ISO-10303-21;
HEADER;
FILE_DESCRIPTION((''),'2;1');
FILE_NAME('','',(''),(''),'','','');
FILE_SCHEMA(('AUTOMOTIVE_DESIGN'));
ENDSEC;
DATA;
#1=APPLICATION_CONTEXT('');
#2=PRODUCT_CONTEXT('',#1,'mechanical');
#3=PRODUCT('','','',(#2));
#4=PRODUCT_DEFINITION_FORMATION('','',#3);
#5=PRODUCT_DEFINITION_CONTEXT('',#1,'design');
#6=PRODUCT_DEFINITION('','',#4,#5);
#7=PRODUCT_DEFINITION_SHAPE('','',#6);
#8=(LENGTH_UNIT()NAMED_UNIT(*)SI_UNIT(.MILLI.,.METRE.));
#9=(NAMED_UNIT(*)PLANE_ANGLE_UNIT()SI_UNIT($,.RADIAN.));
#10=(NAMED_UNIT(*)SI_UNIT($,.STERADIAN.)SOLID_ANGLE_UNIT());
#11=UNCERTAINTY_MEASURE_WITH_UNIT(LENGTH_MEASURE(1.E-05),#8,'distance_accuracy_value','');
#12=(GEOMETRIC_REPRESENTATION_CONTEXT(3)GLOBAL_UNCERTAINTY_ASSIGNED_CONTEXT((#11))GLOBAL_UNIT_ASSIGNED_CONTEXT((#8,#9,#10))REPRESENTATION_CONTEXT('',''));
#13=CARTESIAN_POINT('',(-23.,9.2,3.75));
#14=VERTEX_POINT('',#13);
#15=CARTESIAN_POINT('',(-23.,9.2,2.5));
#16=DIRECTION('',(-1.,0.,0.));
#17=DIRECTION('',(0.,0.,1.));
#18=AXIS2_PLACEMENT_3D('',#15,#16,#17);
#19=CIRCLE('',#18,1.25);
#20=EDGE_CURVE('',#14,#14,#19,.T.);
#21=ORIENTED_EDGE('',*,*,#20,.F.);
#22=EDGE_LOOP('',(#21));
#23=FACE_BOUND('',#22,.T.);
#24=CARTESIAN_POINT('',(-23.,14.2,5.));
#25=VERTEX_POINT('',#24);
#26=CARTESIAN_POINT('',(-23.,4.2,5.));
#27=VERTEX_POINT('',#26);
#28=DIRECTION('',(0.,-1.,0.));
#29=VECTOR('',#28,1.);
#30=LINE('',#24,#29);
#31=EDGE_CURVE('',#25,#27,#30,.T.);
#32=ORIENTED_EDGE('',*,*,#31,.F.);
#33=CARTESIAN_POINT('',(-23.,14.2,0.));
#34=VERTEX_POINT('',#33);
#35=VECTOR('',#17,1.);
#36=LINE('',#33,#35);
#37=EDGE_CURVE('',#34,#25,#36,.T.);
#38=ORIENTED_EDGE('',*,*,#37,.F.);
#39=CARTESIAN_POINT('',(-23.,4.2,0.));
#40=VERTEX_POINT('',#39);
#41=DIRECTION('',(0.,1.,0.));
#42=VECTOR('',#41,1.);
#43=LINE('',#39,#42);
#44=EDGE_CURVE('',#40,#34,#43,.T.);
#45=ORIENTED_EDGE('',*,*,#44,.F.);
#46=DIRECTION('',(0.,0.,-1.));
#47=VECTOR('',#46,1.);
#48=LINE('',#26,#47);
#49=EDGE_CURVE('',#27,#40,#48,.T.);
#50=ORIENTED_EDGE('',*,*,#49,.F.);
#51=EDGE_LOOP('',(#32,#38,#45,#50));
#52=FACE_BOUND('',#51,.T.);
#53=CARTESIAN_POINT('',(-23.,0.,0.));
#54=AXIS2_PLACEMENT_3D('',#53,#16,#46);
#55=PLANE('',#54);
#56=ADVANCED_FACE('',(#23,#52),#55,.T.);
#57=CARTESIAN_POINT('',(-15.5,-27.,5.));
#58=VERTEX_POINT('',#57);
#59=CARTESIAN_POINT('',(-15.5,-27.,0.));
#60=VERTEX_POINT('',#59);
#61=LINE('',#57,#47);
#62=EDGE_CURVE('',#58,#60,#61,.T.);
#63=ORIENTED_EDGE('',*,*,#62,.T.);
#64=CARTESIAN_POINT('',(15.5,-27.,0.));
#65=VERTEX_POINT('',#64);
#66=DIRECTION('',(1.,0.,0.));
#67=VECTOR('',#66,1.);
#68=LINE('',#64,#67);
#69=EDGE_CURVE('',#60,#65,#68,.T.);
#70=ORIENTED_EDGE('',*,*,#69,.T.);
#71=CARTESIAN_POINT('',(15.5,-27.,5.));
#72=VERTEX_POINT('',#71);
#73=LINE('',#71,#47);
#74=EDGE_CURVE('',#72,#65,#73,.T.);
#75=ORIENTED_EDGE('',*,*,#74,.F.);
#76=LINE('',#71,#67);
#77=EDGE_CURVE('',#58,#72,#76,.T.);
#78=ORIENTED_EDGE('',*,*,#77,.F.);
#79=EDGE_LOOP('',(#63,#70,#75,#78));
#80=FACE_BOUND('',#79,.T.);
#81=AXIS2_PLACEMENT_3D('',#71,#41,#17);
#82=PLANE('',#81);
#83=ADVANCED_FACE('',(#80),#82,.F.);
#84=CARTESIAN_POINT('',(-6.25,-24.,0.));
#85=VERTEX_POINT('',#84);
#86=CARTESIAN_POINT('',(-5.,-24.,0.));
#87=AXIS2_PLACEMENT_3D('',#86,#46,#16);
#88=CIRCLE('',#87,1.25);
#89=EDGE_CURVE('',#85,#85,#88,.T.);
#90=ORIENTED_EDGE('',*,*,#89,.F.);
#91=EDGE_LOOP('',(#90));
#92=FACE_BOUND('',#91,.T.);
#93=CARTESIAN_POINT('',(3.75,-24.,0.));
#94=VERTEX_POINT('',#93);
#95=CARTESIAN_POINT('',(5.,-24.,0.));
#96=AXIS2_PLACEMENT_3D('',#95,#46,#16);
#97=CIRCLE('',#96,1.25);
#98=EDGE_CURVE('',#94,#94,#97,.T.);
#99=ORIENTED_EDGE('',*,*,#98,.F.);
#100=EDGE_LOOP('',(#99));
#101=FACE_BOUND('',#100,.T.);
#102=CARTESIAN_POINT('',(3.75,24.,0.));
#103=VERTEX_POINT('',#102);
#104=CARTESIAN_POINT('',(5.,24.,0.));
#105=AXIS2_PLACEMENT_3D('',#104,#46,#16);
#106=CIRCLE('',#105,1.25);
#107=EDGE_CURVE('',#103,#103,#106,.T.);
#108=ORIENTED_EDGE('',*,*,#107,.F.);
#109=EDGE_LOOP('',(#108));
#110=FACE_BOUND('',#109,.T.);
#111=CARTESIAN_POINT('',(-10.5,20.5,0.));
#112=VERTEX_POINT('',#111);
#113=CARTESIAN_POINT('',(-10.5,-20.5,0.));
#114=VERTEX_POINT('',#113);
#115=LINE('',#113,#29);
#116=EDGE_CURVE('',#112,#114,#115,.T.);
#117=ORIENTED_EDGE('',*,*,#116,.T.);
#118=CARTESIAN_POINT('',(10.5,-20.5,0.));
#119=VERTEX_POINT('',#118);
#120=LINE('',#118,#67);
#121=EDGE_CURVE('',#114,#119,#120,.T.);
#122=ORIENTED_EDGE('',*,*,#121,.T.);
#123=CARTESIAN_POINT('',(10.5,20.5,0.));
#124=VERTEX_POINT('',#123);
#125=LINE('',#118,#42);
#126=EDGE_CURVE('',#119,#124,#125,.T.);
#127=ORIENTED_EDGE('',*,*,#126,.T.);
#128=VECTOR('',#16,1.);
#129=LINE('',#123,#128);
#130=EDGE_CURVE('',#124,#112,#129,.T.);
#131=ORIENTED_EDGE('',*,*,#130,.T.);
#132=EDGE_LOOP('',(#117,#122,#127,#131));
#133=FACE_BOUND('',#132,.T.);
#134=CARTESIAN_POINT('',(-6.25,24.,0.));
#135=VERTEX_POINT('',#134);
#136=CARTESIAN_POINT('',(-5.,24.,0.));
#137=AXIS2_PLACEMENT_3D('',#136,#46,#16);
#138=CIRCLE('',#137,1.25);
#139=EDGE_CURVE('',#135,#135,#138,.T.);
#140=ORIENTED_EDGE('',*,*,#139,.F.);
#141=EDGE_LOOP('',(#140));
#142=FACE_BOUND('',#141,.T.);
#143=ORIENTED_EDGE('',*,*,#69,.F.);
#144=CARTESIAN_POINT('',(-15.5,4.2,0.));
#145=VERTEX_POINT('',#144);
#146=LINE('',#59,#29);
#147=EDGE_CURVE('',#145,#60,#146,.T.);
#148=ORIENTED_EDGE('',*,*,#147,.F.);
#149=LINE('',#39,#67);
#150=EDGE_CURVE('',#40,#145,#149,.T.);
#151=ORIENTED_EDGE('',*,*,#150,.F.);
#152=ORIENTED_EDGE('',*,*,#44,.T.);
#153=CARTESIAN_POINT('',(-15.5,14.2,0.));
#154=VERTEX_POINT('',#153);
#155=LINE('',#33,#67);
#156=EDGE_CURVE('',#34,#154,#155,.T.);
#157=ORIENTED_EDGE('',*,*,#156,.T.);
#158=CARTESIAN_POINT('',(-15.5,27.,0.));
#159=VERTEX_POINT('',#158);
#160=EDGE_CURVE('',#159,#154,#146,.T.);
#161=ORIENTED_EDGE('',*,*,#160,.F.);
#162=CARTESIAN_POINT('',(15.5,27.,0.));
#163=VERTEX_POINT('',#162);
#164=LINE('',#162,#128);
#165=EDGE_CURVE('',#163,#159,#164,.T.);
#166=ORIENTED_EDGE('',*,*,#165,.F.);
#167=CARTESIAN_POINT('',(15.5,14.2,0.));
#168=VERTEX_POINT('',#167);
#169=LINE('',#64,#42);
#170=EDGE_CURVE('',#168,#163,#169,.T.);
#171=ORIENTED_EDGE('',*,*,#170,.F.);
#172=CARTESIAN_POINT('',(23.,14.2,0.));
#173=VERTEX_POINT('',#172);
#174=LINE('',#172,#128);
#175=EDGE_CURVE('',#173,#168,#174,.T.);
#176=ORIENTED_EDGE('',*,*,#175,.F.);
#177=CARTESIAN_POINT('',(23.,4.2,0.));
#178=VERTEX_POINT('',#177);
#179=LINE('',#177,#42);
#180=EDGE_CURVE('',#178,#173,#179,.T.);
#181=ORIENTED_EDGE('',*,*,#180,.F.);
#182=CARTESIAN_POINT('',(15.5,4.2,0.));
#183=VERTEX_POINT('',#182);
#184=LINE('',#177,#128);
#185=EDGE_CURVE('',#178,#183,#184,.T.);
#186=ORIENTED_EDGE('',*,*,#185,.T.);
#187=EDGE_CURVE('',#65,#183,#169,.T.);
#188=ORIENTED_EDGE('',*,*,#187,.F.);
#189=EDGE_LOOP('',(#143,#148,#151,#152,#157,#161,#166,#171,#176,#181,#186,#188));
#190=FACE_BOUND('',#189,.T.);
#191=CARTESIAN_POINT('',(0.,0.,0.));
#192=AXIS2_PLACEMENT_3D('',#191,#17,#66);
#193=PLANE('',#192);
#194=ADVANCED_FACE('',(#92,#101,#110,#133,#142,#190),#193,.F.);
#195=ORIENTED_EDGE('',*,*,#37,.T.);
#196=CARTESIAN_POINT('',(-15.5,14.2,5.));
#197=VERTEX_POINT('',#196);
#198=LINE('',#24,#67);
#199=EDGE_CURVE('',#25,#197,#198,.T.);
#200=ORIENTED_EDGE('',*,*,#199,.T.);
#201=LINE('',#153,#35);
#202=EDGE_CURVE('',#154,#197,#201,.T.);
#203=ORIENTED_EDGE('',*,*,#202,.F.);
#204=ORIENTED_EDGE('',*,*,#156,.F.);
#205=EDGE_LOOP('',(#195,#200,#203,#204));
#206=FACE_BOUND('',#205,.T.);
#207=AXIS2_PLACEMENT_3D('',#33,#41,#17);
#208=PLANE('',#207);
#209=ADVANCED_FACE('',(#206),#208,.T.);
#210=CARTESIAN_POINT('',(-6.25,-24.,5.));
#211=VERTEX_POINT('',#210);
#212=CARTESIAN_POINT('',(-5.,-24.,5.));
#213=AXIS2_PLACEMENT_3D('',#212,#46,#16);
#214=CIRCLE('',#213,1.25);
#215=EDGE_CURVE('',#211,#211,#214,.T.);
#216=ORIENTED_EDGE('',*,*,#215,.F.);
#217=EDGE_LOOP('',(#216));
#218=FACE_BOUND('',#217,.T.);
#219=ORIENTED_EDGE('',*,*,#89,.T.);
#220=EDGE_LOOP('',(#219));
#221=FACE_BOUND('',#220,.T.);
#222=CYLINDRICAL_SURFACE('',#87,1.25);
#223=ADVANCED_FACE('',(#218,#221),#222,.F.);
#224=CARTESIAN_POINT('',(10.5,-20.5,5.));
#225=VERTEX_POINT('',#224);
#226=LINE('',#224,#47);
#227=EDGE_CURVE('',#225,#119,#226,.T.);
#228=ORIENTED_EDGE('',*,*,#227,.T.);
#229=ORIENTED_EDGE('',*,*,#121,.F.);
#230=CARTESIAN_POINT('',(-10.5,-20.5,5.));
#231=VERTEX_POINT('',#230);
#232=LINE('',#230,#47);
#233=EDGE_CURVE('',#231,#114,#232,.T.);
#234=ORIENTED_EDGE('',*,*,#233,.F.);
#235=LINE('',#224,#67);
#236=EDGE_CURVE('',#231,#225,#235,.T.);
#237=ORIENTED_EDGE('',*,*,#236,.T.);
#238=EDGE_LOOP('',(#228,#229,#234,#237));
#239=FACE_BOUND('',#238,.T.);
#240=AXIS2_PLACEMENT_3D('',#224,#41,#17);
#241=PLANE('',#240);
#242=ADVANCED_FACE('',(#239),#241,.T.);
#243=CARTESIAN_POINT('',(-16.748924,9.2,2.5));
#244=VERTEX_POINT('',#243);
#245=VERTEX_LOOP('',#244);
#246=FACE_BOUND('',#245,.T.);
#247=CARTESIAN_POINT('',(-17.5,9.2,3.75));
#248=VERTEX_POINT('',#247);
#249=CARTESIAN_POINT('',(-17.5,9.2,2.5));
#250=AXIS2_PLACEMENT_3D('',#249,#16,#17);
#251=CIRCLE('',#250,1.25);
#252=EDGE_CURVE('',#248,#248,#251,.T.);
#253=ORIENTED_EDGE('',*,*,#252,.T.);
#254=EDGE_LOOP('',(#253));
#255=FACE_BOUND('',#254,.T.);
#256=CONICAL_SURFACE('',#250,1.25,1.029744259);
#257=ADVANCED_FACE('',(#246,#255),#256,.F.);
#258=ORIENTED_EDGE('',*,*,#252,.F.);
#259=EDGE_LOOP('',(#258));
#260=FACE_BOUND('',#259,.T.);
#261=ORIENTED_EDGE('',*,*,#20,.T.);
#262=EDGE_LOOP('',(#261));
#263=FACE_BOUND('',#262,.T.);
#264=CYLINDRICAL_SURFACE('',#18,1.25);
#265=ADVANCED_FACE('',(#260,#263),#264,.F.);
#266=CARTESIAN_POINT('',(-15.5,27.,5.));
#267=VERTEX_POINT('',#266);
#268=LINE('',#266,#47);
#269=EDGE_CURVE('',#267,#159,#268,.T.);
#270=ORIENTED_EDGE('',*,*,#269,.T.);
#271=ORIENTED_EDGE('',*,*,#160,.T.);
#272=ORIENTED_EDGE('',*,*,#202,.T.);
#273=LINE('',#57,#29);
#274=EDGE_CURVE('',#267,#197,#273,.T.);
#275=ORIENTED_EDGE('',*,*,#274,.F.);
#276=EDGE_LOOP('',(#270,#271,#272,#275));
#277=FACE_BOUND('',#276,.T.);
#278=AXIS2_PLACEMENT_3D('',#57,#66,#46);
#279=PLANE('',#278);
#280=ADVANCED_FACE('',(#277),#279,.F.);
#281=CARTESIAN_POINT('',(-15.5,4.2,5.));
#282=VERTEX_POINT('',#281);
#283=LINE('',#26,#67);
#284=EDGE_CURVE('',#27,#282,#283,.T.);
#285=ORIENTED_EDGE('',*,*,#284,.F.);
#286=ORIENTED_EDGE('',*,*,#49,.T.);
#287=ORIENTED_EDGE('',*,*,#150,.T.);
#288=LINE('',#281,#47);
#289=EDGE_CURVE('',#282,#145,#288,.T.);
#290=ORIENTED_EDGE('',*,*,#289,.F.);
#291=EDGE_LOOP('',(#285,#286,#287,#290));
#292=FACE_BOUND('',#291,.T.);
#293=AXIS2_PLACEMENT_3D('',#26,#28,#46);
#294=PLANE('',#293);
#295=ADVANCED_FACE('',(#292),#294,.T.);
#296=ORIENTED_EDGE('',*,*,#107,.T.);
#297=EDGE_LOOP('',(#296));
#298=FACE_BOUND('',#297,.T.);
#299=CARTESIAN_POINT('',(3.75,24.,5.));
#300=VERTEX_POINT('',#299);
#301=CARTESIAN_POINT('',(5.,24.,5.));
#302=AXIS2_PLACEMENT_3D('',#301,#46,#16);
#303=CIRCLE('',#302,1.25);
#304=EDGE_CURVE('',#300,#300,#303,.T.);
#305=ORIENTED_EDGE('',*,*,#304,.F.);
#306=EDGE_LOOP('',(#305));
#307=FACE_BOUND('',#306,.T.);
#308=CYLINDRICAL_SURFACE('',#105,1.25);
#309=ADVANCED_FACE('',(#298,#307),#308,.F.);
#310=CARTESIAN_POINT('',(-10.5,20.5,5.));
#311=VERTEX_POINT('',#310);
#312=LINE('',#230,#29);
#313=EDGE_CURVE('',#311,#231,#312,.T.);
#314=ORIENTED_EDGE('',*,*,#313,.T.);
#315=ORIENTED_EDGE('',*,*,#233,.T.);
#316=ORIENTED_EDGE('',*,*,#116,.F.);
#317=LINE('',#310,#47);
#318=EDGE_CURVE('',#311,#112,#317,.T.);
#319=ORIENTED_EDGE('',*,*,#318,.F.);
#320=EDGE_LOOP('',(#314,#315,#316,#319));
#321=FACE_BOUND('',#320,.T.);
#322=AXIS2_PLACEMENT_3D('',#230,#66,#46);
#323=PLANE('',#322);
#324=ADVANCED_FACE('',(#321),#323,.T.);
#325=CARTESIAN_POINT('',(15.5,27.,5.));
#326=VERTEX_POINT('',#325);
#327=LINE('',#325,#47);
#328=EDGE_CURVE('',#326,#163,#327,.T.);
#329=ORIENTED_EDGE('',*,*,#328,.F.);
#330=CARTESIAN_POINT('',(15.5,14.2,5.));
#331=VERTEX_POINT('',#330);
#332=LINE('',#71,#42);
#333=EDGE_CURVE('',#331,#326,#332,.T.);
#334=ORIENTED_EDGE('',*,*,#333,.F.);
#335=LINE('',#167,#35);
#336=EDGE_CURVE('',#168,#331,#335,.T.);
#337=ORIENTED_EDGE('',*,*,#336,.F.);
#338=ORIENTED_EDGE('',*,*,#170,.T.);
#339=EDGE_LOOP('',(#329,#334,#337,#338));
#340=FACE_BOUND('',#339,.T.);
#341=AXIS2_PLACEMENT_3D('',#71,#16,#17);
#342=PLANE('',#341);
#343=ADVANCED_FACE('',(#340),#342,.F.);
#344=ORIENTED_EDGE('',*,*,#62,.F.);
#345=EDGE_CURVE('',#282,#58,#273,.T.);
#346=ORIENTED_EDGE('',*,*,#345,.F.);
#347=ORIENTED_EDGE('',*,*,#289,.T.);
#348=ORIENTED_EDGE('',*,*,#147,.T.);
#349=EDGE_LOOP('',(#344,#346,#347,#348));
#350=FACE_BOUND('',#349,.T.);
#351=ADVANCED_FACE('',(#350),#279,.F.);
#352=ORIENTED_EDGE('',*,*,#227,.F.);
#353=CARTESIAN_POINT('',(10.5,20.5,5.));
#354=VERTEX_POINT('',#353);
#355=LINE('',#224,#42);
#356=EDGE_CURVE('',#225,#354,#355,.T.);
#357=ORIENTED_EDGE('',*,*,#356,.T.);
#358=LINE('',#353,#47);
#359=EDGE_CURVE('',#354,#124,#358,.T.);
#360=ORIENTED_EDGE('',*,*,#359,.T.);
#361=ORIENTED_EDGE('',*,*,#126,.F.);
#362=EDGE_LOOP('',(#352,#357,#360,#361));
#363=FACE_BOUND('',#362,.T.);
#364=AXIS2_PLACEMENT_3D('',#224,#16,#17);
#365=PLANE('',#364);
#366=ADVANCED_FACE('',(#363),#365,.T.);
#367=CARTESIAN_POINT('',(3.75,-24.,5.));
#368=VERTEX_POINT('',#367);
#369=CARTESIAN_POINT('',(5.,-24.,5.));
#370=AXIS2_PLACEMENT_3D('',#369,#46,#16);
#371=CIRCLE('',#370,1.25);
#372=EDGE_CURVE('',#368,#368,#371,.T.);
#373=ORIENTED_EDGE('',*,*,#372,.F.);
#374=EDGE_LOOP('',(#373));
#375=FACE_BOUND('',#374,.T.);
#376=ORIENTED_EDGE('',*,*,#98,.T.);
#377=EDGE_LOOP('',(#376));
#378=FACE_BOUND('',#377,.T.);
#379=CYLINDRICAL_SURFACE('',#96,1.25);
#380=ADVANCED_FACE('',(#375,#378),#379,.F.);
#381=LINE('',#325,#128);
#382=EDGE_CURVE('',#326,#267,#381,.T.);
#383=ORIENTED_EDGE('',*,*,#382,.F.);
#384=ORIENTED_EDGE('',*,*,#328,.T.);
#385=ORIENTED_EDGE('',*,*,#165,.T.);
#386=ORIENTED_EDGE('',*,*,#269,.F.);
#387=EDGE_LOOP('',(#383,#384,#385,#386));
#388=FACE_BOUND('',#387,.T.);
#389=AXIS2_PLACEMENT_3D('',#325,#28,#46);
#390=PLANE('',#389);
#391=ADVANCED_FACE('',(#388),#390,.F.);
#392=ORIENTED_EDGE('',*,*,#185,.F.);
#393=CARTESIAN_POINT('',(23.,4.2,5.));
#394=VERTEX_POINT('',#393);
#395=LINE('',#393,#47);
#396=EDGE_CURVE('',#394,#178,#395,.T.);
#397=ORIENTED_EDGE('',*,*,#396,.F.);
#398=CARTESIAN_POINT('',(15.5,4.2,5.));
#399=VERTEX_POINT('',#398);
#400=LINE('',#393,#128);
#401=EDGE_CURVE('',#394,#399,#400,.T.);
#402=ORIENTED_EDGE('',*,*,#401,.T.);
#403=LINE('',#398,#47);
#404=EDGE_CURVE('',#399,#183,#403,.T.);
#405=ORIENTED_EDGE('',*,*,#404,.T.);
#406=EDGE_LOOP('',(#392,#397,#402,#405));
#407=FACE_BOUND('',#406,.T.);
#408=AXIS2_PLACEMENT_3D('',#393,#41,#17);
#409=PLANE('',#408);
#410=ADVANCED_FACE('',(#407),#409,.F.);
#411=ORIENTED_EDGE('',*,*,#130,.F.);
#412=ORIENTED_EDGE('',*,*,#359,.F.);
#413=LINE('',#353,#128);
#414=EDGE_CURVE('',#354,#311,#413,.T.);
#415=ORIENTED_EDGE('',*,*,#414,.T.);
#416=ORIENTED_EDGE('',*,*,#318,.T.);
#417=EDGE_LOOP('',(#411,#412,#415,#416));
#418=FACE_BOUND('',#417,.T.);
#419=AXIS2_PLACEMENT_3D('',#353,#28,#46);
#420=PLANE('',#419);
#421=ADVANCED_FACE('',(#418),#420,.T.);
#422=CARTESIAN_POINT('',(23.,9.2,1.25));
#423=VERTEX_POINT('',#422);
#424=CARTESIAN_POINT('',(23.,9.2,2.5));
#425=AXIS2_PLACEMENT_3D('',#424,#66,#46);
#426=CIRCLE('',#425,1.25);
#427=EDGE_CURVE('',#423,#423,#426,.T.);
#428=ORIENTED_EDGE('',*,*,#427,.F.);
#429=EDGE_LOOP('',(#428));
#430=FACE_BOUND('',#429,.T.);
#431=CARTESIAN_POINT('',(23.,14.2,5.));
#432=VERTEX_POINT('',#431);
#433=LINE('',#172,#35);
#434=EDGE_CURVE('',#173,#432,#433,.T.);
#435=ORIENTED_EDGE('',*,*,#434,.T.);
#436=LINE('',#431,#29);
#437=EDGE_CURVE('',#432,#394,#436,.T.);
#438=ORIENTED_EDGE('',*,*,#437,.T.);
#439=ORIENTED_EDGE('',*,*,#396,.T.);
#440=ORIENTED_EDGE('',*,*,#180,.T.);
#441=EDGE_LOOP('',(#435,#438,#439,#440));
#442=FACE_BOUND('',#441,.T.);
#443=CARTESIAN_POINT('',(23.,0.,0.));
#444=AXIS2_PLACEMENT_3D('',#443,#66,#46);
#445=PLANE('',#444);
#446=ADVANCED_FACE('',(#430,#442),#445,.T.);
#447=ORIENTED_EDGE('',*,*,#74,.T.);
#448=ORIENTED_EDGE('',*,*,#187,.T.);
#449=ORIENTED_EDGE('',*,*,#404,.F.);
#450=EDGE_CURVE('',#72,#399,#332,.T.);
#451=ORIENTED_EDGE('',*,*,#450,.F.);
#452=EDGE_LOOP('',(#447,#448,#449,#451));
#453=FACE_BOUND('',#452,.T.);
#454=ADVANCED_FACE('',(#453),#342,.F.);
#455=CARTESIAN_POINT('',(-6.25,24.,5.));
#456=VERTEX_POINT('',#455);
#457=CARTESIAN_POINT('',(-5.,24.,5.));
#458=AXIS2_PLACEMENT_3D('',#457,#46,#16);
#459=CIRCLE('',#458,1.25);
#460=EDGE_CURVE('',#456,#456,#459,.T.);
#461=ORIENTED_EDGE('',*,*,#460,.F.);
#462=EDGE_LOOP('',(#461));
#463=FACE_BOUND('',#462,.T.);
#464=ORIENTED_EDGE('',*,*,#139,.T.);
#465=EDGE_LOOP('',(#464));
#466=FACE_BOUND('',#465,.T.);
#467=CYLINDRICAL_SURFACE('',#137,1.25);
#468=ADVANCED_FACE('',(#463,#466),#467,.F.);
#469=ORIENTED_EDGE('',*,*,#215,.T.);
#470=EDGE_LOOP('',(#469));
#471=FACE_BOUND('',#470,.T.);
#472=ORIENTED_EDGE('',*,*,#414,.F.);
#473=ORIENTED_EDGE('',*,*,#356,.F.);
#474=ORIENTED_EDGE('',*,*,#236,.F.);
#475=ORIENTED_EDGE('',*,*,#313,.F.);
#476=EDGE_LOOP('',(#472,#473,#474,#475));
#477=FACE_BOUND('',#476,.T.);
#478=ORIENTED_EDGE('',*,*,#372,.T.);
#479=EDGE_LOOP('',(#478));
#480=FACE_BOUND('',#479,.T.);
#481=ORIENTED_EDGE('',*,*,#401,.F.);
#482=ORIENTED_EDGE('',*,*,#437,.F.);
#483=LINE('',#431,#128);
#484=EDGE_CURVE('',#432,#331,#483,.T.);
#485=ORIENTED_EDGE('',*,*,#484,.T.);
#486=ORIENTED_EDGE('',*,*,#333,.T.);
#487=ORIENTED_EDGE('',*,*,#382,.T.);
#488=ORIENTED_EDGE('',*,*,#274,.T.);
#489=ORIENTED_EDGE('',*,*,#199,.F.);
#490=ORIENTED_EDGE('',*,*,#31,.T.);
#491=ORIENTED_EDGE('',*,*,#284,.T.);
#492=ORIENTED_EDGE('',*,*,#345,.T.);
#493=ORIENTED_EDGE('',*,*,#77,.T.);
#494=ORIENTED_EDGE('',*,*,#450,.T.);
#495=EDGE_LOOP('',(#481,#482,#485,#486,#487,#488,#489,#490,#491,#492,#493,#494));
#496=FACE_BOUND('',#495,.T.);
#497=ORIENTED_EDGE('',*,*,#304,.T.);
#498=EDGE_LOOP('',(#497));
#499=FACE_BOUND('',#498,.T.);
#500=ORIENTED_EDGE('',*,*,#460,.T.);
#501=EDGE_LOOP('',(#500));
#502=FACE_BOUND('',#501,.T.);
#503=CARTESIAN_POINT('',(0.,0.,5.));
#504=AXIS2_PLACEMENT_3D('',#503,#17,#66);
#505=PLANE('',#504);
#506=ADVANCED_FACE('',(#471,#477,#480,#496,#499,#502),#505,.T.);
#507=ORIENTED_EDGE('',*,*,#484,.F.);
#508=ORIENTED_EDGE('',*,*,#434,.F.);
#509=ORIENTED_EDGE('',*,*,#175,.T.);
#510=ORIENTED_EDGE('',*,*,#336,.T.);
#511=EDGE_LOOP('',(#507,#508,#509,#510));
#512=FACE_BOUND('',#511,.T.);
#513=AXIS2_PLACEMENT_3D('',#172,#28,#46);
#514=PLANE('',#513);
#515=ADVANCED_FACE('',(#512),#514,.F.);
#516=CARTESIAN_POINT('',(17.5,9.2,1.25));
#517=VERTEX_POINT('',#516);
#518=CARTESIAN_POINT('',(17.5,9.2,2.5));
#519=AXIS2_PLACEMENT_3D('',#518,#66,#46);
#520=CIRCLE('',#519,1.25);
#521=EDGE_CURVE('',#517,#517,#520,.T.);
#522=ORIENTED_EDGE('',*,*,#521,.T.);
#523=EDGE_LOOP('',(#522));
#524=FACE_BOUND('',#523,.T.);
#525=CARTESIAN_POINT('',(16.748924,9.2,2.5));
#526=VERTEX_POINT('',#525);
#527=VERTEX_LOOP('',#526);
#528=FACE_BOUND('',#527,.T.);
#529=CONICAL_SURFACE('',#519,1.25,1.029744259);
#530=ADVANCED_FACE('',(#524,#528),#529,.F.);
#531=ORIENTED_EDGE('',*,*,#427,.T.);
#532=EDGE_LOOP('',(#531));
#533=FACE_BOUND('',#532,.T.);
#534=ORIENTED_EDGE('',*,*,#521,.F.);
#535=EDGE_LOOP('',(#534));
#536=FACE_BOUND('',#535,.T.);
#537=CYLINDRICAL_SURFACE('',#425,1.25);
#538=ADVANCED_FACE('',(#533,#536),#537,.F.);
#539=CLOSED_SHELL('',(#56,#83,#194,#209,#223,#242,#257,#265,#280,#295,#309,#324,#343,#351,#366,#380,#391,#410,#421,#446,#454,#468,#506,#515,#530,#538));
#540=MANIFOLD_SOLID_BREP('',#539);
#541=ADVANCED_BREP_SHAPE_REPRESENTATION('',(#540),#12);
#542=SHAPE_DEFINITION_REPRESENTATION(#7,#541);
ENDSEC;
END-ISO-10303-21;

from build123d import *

# Parameters (mm, degrees)
SKETCH_1_W         = 31
SKETCH_1_H         = 54
SKETCH_1_W_2       = 21
SKETCH_1_H_2       = 41
EXTRUDE_1_DEPTH    = 5
SKETCH_2_W         = 5
SKETCH_2_H         = 10
EXTRUDE_2_DEPTH    = 7.5
HOLE_WIZARD_M3_1_D = 2.5


with BuildPart() as part:
    # 草图1 → 凸台-拉伸1 (new body)
    with BuildSketch(Plane.XY):
        Rectangle(SKETCH_1_W, SKETCH_1_H)
        Rectangle(SKETCH_1_W_2, SKETCH_1_H_2, mode=Mode.SUBTRACT)
    extrude(amount=EXTRUDE_1_DEPTH)

    # 草图2 → 凸台-拉伸2 (add)
    with BuildSketch(Plane(origin=(15.5, 0, 0), x_dir=(0, 0, -1), z_dir=(1, 0, 0))):
        with Locations((-2.5, 9.2)):
            Rectangle(SKETCH_2_W, SKETCH_2_H)
    extrude_2 = extrude(amount=EXTRUDE_2_DEPTH)

    # 镜向1: 凸台-拉伸2 across plane
    add(extrude_2.mirror(Plane(origin=(0, 0, 0), x_dir=(0, 0, 1), z_dir=(1, 0, 0))))

    # M3 螺纹孔1 (through all)
    with Locations(Plane(origin=(0, 0, 0), x_dir=(-1, 0, 0), z_dir=(0, 0, -1))):
        with Locations((-5, -24), (5, -24), (-5, 24), (5, 24)):
            Hole(HOLE_WIZARD_M3_1_D / 2)

    # 草图7 → M3 螺纹孔2 (revolve, cut)
    with BuildSketch(Plane(origin=(23, 9.2, 2.5), x_dir=(0, 0, -1), z_dir=(0, 1, 0))):
        Polygon((0, 0), (0, 6.251075774), (1.25, 5.5), (1.25, 0), align=None)
    hole_wizard_m3_2 = revolve(axis=Axis((29.35, 9.2, 2.5), (-1, 0, 0)), mode=Mode.SUBTRACT)

    # 镜向2: M3 螺纹孔2 across plane
    add(hole_wizard_m3_2.mirror(Plane(origin=(0, 0, 0), x_dir=(0, 0, 1), z_dir=(1, 0, 0))), mode=Mode.SUBTRACT)


solid = part.part
